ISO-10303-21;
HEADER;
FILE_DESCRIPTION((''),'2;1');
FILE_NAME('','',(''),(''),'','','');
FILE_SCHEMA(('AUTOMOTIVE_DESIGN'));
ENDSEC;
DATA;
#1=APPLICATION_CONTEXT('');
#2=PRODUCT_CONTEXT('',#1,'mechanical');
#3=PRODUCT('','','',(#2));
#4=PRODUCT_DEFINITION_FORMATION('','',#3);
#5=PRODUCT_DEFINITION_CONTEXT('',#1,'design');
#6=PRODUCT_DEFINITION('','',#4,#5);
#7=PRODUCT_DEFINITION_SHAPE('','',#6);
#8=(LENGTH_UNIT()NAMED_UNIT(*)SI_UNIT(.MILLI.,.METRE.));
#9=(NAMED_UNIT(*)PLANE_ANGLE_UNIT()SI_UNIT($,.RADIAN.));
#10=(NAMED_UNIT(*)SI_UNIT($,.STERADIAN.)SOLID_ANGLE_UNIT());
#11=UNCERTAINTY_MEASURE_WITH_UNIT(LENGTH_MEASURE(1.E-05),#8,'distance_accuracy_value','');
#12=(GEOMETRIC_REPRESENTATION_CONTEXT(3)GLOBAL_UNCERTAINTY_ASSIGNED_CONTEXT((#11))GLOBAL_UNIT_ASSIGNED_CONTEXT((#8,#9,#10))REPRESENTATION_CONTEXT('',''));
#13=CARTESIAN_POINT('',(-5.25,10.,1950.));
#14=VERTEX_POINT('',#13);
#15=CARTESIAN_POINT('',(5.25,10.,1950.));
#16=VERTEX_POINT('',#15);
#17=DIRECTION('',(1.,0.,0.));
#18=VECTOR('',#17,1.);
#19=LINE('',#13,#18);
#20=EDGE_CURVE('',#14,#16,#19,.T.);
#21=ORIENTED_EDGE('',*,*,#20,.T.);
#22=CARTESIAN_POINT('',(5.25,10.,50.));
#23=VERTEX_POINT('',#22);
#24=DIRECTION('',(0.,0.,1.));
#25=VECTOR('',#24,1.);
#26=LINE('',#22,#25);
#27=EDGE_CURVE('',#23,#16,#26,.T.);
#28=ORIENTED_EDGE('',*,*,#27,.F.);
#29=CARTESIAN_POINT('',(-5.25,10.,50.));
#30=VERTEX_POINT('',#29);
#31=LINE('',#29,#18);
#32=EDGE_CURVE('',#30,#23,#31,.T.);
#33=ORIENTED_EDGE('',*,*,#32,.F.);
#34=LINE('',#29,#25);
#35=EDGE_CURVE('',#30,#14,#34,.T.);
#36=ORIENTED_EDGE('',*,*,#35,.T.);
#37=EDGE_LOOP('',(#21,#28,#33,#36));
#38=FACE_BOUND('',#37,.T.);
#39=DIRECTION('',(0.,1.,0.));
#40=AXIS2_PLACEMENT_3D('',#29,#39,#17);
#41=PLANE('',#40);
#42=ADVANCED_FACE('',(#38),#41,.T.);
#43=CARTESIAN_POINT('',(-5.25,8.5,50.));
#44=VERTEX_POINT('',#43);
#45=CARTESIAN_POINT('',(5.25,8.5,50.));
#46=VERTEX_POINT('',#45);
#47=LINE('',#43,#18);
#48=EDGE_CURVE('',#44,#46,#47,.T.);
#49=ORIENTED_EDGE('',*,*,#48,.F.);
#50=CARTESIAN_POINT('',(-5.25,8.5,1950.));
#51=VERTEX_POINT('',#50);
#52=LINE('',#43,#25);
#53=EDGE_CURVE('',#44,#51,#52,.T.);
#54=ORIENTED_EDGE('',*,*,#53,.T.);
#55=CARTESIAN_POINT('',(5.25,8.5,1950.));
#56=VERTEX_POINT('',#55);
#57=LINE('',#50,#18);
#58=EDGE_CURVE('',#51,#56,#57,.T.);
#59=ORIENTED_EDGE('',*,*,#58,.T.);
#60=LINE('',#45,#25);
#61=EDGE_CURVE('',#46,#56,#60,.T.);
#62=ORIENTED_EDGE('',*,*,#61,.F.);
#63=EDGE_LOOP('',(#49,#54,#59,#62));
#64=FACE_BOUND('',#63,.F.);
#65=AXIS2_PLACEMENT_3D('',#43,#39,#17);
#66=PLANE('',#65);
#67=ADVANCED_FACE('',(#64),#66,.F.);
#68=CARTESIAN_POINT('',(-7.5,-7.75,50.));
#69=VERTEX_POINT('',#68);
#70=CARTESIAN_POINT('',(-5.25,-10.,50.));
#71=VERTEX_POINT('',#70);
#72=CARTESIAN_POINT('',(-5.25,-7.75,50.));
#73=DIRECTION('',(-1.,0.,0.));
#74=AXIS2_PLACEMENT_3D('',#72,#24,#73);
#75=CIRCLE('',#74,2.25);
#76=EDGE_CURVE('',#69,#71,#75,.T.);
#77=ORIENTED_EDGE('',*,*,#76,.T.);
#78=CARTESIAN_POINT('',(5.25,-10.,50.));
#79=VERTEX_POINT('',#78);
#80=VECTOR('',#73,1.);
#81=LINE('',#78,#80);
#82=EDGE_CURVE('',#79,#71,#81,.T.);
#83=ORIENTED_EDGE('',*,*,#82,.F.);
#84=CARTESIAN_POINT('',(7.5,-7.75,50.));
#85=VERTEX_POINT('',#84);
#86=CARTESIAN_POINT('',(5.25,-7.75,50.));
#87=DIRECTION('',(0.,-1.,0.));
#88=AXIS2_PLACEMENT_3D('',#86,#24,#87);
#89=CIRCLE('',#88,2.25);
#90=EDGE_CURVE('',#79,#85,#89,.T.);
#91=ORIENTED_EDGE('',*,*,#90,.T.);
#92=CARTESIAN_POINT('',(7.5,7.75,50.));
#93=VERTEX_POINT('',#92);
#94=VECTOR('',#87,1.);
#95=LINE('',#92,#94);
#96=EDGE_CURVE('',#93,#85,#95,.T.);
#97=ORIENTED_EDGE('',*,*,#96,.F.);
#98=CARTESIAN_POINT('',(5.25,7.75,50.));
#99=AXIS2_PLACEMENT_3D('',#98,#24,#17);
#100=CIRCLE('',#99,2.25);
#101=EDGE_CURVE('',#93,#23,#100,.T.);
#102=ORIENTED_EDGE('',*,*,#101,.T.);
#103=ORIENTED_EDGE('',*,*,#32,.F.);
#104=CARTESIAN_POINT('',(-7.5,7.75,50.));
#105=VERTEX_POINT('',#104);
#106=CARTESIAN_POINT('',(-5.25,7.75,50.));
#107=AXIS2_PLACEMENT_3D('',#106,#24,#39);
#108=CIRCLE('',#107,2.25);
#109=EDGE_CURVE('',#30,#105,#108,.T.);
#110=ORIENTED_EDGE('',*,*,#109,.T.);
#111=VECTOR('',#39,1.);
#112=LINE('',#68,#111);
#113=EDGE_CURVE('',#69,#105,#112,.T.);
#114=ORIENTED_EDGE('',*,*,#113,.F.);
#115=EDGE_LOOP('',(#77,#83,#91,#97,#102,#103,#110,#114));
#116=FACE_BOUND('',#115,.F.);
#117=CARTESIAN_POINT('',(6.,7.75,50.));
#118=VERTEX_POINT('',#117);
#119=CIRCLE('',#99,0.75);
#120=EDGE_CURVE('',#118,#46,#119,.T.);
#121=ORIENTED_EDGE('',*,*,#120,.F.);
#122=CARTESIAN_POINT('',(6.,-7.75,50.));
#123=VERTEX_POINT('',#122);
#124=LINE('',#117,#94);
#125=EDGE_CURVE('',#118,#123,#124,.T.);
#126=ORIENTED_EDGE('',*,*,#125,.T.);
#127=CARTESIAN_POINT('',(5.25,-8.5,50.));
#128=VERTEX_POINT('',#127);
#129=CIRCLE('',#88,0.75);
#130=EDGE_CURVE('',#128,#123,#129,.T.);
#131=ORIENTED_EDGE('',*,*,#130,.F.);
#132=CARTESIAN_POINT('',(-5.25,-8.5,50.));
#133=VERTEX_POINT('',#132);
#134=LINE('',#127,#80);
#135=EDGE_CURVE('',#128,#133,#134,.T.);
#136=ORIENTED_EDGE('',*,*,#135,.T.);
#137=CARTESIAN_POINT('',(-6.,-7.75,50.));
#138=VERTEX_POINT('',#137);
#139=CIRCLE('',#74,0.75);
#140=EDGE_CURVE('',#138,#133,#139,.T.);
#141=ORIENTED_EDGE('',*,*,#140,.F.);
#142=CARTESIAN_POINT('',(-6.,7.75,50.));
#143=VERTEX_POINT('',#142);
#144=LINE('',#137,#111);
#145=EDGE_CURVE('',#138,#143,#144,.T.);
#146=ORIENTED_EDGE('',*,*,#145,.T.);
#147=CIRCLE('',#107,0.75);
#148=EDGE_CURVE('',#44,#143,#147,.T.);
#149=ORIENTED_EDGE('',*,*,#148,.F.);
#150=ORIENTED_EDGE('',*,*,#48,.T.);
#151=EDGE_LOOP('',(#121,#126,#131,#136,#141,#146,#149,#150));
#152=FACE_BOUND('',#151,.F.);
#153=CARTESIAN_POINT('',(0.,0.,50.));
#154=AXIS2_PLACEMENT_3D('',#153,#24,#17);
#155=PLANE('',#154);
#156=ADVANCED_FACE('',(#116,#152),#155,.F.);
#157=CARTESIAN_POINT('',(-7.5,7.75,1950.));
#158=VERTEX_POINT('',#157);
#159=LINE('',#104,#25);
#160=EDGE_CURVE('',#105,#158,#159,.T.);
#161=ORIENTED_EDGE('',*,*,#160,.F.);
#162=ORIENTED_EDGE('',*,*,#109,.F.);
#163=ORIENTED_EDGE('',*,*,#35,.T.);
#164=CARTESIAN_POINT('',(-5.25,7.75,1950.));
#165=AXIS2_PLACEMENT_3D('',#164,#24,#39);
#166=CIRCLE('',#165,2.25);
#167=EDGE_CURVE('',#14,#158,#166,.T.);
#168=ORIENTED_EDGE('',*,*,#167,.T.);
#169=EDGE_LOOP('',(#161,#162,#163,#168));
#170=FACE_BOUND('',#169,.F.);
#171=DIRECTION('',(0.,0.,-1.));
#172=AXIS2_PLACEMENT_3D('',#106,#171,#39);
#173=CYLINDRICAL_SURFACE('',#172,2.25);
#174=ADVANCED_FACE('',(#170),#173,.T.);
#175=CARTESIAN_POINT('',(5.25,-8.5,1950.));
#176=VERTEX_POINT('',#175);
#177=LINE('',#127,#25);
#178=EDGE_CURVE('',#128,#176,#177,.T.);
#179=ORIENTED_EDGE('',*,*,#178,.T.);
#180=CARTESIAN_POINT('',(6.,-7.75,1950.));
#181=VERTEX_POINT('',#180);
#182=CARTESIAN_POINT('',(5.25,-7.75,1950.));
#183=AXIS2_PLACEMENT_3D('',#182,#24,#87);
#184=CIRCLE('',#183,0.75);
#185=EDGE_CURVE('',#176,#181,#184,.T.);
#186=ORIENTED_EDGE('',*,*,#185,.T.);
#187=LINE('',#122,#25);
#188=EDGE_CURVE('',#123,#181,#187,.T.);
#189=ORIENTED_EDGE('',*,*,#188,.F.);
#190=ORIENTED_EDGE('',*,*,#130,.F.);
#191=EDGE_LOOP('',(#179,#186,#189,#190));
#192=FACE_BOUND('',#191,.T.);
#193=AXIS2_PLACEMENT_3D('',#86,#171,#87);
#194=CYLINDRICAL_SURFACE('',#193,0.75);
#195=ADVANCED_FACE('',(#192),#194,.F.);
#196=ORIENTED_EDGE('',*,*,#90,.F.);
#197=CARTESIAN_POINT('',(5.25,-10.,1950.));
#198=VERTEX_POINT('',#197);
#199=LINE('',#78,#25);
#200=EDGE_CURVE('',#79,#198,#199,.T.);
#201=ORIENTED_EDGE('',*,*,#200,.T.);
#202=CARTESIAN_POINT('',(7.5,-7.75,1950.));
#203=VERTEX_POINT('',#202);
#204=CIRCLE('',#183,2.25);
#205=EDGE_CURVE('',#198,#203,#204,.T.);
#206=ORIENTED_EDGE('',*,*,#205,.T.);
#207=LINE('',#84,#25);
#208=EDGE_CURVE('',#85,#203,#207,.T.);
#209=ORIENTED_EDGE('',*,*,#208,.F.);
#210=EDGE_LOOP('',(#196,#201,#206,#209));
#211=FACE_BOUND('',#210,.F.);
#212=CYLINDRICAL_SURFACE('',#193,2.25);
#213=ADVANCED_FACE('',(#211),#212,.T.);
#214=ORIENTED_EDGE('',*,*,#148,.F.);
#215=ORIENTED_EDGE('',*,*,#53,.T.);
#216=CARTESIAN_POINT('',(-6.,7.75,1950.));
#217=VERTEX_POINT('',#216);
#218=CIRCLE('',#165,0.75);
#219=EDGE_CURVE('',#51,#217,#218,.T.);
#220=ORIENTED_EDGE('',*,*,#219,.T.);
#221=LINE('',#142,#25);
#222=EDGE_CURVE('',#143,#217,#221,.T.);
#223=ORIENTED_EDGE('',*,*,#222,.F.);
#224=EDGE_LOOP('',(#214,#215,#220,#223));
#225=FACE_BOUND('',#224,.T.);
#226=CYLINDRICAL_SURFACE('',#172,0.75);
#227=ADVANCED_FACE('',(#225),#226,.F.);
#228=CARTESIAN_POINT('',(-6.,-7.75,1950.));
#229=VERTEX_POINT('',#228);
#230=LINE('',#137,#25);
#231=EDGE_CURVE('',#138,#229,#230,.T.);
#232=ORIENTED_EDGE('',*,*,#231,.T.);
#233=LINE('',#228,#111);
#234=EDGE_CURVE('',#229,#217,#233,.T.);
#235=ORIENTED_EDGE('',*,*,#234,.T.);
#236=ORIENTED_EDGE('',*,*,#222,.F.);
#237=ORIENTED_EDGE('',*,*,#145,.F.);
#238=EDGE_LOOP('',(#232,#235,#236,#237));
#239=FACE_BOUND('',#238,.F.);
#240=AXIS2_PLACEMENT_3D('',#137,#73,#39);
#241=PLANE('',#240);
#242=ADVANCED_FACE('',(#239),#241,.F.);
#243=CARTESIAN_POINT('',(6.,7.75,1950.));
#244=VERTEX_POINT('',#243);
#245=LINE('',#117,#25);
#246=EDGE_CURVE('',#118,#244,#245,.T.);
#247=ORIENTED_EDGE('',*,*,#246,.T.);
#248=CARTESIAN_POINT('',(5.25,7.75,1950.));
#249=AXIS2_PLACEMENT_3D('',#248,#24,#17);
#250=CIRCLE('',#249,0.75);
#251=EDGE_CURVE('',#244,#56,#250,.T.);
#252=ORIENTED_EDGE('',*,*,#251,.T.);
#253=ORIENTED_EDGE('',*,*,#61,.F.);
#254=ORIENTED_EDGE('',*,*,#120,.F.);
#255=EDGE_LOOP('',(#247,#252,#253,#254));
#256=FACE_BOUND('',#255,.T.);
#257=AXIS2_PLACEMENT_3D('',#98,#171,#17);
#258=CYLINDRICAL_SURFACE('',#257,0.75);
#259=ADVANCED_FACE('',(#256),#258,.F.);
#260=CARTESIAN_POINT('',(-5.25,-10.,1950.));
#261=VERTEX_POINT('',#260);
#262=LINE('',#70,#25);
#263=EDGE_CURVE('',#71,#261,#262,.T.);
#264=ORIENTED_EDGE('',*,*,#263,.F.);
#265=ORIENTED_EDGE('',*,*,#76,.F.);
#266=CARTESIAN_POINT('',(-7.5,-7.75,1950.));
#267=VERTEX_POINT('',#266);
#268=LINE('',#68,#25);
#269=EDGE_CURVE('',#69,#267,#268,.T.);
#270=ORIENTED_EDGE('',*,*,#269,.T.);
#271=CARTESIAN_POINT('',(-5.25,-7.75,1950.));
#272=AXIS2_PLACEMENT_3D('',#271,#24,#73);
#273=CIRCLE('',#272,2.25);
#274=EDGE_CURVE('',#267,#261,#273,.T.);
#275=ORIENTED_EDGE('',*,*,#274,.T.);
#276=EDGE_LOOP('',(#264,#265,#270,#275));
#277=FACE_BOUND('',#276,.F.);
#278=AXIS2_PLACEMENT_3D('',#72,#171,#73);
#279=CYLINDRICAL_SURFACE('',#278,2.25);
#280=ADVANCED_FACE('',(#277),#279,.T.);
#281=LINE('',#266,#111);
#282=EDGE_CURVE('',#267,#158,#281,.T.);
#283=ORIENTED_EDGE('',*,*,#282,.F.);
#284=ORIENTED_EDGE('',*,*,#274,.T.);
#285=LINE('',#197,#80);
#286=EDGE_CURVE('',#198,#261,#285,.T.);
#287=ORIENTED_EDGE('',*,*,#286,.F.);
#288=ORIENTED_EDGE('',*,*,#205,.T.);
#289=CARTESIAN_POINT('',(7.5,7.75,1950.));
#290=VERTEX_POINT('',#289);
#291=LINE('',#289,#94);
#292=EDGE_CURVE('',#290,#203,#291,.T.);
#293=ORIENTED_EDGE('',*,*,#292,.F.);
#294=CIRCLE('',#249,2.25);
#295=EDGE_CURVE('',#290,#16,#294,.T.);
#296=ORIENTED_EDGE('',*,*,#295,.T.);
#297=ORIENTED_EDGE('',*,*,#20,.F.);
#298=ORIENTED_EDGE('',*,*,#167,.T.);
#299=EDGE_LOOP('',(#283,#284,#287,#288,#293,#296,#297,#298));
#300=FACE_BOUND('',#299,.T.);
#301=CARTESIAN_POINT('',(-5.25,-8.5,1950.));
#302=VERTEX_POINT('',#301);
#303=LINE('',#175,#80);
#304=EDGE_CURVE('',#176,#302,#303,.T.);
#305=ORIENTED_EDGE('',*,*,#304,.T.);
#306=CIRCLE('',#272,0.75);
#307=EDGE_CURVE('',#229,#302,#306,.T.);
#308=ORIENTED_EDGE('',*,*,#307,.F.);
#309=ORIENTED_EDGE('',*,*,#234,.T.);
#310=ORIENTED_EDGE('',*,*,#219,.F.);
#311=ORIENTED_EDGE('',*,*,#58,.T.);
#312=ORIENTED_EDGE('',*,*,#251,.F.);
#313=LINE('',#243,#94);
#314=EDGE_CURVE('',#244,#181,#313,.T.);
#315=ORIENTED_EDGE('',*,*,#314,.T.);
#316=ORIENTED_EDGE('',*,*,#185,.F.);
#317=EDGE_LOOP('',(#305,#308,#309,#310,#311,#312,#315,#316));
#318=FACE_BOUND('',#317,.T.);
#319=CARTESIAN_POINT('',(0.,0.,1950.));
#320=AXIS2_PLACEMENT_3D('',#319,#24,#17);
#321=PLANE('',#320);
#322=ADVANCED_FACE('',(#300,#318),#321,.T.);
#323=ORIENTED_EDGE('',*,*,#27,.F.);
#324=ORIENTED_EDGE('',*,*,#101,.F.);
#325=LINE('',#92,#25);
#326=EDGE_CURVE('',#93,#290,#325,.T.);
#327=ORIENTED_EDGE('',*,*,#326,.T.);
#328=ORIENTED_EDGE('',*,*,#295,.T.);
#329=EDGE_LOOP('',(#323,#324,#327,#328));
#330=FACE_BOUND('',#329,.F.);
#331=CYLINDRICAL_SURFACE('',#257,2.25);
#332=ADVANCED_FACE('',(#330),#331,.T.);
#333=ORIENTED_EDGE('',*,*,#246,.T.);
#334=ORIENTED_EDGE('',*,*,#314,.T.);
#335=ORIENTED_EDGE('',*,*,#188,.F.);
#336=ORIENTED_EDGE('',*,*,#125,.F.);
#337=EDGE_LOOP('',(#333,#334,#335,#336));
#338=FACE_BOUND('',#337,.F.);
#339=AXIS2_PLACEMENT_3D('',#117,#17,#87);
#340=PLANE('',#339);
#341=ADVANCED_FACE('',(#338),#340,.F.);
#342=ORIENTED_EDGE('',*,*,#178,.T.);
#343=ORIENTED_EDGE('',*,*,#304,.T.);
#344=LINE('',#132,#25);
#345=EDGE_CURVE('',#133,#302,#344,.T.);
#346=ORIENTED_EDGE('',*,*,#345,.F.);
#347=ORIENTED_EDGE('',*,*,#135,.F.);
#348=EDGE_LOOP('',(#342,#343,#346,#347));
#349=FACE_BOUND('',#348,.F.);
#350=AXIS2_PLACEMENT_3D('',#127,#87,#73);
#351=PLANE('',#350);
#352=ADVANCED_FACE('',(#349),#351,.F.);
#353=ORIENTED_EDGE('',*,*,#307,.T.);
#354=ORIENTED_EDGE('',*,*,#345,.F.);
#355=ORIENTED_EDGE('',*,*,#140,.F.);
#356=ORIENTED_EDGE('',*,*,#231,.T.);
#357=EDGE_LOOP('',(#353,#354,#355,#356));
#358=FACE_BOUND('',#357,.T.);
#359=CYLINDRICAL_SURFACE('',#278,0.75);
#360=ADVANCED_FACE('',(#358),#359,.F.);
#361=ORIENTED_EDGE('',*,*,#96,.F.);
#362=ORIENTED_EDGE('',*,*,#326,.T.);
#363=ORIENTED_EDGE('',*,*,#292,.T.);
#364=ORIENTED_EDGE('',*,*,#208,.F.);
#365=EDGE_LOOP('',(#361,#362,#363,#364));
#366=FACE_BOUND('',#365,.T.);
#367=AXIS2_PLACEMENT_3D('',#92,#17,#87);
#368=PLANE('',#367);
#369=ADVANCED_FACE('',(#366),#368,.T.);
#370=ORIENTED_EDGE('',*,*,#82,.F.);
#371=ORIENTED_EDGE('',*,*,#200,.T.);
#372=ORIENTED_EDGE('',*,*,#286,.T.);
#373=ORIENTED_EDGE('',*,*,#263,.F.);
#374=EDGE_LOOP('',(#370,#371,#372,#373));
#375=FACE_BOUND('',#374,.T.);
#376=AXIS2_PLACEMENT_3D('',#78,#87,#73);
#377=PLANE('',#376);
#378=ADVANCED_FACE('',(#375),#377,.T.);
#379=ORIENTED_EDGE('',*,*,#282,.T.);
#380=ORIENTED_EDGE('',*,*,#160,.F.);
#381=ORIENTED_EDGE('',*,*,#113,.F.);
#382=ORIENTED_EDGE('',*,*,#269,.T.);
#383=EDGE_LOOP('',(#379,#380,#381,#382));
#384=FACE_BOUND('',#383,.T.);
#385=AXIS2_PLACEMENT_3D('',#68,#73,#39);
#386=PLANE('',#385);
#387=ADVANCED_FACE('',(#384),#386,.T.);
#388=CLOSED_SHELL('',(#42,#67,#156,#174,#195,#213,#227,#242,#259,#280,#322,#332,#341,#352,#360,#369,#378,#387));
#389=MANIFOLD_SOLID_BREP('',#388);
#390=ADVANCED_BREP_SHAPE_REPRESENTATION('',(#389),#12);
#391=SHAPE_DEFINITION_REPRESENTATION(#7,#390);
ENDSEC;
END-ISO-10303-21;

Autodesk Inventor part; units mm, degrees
ref_plane "Start plane" through (0, 0, 50) normal (0, 0, 1) x (1, 0, 0)
ref_plane "End plane" through (0, 0, 1950) normal (0, 0, 1) x (1, 0, 0)
sketch "Sketch" plane through (0, 0, 0) normal (0, 0, 1) x (1, 0, 0)
  line L0 (-7.5, -7.75) -> (-7.5, 7.75)
  line L1 (-5.25, 10) -> (5.25, 10)
  line L2 (7.5, 7.75) -> (7.5, -7.75)
  line L3 (5.25, -10) -> (-5.25, -10)
  arc A0 (-7.5, -7.75) -> (-5.25, -10) centre (-5.25, -7.75) ccw
  arc A1 (-5.25, 10) -> (-7.5, 7.75) centre (-5.25, 7.75) ccw
  arc A2 (7.5, 7.75) -> (5.25, 10) centre (5.25, 7.75) ccw
  arc A3 (5.25, -10) -> (7.5, -7.75) centre (5.25, -7.75) ccw
  arc A4 (-5.25, 8.5) -> (-6, 7.75) centre (-5.25, 7.75) ccw
  line L4 (-5.25, 8.5) -> (5.25, 8.5)
  arc A5 (6, 7.75) -> (5.25, 8.5) centre (5.25, 7.75) ccw
  line L5 (6, 7.75) -> (6, -7.75)
  arc A6 (5.25, -8.5) -> (6, -7.75) centre (5.25, -7.75) ccw
  line L6 (5.25, -8.5) -> (-5.25, -8.5)
  arc A7 (-6, -7.75) -> (-5.25, -8.5) centre (-5.25, -7.75) ccw
  line L7 (-6, -7.75) -> (-6, 7.75)
  line L8 (0, 14.6524) -> (0, -14.6524) construction
  line L9 (-11.5592, 0) -> (13.5932, 0) construction
  dimension "d7" = 2.25
  dimension "d10" = 20
  dimension "d11" = 15
  dimension "d12" = 1.5
  dimension "d15" = 10
  dimension "d16" = 7.5
extrude "Body" add sketch "Sketch" along normal up to surface (1900 mm away) from surface at 50
sketch "Sketch3" plane through (0, 0, 0) normal (0, 0, 1) x (1, 0, 0)
  line L0 (0, 0) -> (10, 0)
ref_plane "Work Plane3" through (0, 0, 0) normal (0, -1, 0) x (1, 0, 0)
sketch "Sketch4" plane through (0, 0, 0) normal (0, -1, 0) x (1, 0, 0)
  line L0 (-2, 50) -> (12, 50)
  line L1 (-2, 1950) -> (12, 1950)
  dimension "d18" = 1900
ref_plane "Work Plane4" through (-26.5, 50, 50) normal (0, 0, -1) x (-1, 0, 0)
split "Split1" plane through (-26.5, 50, 50) removes the side toward (0, 0, -1)
ref_plane "Work Plane5" through (7.5, 50, 1950) normal (0, 0, 1) x (1, 0, 0)
split "Split2" plane through (7.5, 50, 1950) removes the side toward (0, 0, 1)
equation "\"d7\" = G_IR"
equation "\"d10\" = G_H"
equation "\"d11\" = G_W"
equation "\"d12\" = G_T"
equation "\"d15\" = 0.5 * d10"
equation "\"d16\" = 0.5 * d11"
equation "\"d3\" = G_L"
equation "\"G_W\" = 15"
equation "\"G_H\" = 20"
equation "\"G_T\" = 1.5"
equation "\"G_IR\" = 2.25"
equation "\"G_L\" = d18"
equation "\"G_OFFSET_START\" = -50"
equation "\"G_OFFSET_END\" = -50"
equation "\"d13\" = -G_OFFSET_START"
equation "\"d14\" = G_OFFSET_END + B_L"
equation "\"B_L\" = 2000"
properties part number "UNI EN 10305-5 - 20 x 15 x 1,5  - 1900" material "Steel, Mild"
